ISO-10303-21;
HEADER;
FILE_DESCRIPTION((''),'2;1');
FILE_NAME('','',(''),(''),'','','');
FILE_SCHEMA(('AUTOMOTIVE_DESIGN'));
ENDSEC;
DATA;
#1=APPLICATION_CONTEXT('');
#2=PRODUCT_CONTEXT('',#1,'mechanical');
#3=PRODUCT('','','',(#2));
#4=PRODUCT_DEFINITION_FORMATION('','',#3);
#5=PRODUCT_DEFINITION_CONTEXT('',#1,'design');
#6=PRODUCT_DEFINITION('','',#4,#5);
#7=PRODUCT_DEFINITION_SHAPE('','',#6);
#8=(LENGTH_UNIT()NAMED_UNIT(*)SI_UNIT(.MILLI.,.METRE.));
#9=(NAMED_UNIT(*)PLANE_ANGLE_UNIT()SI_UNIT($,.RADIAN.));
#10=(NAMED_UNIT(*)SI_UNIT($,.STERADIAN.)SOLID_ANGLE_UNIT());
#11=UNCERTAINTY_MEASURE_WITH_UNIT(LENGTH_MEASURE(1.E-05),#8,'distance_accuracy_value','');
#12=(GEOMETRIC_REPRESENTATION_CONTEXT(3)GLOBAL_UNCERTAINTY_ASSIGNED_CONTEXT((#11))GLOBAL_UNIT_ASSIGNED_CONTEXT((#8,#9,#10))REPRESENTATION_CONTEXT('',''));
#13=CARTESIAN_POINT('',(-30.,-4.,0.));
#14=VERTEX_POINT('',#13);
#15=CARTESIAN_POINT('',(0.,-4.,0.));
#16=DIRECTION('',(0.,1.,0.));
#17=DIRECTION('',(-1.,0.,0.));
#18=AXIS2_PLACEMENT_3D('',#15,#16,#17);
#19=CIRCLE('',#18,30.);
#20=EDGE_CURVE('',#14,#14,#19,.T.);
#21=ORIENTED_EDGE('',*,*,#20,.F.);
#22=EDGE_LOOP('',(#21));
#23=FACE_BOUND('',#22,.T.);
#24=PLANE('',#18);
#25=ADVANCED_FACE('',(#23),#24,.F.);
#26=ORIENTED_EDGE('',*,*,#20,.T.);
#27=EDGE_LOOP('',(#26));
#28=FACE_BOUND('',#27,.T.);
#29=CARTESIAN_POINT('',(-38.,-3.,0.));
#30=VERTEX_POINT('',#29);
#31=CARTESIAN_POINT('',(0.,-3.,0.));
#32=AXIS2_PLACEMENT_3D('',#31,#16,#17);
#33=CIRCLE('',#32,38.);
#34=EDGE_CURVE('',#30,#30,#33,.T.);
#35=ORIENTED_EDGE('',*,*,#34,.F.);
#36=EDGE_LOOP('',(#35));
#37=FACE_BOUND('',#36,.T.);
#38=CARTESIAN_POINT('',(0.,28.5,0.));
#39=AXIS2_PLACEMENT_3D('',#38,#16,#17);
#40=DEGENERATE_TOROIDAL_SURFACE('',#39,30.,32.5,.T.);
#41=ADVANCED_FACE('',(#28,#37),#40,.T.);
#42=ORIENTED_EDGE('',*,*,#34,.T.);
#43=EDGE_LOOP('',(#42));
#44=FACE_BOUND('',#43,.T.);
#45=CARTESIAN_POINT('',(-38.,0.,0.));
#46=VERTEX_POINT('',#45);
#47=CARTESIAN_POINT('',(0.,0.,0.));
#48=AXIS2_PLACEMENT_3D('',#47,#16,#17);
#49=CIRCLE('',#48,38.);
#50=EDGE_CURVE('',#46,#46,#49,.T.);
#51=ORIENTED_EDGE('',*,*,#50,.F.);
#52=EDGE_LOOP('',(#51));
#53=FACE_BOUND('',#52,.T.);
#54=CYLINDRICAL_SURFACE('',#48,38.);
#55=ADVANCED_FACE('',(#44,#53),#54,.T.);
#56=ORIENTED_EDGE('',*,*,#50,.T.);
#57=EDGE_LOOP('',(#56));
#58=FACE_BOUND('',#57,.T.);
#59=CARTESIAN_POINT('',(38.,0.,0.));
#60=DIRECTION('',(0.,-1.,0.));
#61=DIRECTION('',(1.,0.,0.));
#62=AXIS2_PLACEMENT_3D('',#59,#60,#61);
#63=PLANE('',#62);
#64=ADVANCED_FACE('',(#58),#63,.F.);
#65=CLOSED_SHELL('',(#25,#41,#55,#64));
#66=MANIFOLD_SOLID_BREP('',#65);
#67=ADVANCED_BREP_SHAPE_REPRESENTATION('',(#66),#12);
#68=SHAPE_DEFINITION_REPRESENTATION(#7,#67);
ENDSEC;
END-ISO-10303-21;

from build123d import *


with BuildPart() as part:
    # Sketch1 → Revolve1 (revolve)
    with BuildSketch(Plane.XY):
        with BuildLine():
            Line((0, 0), (0, -4))
            Line((0, -4), (30, -4))
            ThreePointArc((30, -4), (34.031128874, -3.749030993), (38, -3))
            Line((38, -3), (38, 0))
            Line((38, 0), (0, 0))
        make_face()
    revolve(axis=Axis((0, 0, 0), (0, -1, 0)))


solid = part.part
